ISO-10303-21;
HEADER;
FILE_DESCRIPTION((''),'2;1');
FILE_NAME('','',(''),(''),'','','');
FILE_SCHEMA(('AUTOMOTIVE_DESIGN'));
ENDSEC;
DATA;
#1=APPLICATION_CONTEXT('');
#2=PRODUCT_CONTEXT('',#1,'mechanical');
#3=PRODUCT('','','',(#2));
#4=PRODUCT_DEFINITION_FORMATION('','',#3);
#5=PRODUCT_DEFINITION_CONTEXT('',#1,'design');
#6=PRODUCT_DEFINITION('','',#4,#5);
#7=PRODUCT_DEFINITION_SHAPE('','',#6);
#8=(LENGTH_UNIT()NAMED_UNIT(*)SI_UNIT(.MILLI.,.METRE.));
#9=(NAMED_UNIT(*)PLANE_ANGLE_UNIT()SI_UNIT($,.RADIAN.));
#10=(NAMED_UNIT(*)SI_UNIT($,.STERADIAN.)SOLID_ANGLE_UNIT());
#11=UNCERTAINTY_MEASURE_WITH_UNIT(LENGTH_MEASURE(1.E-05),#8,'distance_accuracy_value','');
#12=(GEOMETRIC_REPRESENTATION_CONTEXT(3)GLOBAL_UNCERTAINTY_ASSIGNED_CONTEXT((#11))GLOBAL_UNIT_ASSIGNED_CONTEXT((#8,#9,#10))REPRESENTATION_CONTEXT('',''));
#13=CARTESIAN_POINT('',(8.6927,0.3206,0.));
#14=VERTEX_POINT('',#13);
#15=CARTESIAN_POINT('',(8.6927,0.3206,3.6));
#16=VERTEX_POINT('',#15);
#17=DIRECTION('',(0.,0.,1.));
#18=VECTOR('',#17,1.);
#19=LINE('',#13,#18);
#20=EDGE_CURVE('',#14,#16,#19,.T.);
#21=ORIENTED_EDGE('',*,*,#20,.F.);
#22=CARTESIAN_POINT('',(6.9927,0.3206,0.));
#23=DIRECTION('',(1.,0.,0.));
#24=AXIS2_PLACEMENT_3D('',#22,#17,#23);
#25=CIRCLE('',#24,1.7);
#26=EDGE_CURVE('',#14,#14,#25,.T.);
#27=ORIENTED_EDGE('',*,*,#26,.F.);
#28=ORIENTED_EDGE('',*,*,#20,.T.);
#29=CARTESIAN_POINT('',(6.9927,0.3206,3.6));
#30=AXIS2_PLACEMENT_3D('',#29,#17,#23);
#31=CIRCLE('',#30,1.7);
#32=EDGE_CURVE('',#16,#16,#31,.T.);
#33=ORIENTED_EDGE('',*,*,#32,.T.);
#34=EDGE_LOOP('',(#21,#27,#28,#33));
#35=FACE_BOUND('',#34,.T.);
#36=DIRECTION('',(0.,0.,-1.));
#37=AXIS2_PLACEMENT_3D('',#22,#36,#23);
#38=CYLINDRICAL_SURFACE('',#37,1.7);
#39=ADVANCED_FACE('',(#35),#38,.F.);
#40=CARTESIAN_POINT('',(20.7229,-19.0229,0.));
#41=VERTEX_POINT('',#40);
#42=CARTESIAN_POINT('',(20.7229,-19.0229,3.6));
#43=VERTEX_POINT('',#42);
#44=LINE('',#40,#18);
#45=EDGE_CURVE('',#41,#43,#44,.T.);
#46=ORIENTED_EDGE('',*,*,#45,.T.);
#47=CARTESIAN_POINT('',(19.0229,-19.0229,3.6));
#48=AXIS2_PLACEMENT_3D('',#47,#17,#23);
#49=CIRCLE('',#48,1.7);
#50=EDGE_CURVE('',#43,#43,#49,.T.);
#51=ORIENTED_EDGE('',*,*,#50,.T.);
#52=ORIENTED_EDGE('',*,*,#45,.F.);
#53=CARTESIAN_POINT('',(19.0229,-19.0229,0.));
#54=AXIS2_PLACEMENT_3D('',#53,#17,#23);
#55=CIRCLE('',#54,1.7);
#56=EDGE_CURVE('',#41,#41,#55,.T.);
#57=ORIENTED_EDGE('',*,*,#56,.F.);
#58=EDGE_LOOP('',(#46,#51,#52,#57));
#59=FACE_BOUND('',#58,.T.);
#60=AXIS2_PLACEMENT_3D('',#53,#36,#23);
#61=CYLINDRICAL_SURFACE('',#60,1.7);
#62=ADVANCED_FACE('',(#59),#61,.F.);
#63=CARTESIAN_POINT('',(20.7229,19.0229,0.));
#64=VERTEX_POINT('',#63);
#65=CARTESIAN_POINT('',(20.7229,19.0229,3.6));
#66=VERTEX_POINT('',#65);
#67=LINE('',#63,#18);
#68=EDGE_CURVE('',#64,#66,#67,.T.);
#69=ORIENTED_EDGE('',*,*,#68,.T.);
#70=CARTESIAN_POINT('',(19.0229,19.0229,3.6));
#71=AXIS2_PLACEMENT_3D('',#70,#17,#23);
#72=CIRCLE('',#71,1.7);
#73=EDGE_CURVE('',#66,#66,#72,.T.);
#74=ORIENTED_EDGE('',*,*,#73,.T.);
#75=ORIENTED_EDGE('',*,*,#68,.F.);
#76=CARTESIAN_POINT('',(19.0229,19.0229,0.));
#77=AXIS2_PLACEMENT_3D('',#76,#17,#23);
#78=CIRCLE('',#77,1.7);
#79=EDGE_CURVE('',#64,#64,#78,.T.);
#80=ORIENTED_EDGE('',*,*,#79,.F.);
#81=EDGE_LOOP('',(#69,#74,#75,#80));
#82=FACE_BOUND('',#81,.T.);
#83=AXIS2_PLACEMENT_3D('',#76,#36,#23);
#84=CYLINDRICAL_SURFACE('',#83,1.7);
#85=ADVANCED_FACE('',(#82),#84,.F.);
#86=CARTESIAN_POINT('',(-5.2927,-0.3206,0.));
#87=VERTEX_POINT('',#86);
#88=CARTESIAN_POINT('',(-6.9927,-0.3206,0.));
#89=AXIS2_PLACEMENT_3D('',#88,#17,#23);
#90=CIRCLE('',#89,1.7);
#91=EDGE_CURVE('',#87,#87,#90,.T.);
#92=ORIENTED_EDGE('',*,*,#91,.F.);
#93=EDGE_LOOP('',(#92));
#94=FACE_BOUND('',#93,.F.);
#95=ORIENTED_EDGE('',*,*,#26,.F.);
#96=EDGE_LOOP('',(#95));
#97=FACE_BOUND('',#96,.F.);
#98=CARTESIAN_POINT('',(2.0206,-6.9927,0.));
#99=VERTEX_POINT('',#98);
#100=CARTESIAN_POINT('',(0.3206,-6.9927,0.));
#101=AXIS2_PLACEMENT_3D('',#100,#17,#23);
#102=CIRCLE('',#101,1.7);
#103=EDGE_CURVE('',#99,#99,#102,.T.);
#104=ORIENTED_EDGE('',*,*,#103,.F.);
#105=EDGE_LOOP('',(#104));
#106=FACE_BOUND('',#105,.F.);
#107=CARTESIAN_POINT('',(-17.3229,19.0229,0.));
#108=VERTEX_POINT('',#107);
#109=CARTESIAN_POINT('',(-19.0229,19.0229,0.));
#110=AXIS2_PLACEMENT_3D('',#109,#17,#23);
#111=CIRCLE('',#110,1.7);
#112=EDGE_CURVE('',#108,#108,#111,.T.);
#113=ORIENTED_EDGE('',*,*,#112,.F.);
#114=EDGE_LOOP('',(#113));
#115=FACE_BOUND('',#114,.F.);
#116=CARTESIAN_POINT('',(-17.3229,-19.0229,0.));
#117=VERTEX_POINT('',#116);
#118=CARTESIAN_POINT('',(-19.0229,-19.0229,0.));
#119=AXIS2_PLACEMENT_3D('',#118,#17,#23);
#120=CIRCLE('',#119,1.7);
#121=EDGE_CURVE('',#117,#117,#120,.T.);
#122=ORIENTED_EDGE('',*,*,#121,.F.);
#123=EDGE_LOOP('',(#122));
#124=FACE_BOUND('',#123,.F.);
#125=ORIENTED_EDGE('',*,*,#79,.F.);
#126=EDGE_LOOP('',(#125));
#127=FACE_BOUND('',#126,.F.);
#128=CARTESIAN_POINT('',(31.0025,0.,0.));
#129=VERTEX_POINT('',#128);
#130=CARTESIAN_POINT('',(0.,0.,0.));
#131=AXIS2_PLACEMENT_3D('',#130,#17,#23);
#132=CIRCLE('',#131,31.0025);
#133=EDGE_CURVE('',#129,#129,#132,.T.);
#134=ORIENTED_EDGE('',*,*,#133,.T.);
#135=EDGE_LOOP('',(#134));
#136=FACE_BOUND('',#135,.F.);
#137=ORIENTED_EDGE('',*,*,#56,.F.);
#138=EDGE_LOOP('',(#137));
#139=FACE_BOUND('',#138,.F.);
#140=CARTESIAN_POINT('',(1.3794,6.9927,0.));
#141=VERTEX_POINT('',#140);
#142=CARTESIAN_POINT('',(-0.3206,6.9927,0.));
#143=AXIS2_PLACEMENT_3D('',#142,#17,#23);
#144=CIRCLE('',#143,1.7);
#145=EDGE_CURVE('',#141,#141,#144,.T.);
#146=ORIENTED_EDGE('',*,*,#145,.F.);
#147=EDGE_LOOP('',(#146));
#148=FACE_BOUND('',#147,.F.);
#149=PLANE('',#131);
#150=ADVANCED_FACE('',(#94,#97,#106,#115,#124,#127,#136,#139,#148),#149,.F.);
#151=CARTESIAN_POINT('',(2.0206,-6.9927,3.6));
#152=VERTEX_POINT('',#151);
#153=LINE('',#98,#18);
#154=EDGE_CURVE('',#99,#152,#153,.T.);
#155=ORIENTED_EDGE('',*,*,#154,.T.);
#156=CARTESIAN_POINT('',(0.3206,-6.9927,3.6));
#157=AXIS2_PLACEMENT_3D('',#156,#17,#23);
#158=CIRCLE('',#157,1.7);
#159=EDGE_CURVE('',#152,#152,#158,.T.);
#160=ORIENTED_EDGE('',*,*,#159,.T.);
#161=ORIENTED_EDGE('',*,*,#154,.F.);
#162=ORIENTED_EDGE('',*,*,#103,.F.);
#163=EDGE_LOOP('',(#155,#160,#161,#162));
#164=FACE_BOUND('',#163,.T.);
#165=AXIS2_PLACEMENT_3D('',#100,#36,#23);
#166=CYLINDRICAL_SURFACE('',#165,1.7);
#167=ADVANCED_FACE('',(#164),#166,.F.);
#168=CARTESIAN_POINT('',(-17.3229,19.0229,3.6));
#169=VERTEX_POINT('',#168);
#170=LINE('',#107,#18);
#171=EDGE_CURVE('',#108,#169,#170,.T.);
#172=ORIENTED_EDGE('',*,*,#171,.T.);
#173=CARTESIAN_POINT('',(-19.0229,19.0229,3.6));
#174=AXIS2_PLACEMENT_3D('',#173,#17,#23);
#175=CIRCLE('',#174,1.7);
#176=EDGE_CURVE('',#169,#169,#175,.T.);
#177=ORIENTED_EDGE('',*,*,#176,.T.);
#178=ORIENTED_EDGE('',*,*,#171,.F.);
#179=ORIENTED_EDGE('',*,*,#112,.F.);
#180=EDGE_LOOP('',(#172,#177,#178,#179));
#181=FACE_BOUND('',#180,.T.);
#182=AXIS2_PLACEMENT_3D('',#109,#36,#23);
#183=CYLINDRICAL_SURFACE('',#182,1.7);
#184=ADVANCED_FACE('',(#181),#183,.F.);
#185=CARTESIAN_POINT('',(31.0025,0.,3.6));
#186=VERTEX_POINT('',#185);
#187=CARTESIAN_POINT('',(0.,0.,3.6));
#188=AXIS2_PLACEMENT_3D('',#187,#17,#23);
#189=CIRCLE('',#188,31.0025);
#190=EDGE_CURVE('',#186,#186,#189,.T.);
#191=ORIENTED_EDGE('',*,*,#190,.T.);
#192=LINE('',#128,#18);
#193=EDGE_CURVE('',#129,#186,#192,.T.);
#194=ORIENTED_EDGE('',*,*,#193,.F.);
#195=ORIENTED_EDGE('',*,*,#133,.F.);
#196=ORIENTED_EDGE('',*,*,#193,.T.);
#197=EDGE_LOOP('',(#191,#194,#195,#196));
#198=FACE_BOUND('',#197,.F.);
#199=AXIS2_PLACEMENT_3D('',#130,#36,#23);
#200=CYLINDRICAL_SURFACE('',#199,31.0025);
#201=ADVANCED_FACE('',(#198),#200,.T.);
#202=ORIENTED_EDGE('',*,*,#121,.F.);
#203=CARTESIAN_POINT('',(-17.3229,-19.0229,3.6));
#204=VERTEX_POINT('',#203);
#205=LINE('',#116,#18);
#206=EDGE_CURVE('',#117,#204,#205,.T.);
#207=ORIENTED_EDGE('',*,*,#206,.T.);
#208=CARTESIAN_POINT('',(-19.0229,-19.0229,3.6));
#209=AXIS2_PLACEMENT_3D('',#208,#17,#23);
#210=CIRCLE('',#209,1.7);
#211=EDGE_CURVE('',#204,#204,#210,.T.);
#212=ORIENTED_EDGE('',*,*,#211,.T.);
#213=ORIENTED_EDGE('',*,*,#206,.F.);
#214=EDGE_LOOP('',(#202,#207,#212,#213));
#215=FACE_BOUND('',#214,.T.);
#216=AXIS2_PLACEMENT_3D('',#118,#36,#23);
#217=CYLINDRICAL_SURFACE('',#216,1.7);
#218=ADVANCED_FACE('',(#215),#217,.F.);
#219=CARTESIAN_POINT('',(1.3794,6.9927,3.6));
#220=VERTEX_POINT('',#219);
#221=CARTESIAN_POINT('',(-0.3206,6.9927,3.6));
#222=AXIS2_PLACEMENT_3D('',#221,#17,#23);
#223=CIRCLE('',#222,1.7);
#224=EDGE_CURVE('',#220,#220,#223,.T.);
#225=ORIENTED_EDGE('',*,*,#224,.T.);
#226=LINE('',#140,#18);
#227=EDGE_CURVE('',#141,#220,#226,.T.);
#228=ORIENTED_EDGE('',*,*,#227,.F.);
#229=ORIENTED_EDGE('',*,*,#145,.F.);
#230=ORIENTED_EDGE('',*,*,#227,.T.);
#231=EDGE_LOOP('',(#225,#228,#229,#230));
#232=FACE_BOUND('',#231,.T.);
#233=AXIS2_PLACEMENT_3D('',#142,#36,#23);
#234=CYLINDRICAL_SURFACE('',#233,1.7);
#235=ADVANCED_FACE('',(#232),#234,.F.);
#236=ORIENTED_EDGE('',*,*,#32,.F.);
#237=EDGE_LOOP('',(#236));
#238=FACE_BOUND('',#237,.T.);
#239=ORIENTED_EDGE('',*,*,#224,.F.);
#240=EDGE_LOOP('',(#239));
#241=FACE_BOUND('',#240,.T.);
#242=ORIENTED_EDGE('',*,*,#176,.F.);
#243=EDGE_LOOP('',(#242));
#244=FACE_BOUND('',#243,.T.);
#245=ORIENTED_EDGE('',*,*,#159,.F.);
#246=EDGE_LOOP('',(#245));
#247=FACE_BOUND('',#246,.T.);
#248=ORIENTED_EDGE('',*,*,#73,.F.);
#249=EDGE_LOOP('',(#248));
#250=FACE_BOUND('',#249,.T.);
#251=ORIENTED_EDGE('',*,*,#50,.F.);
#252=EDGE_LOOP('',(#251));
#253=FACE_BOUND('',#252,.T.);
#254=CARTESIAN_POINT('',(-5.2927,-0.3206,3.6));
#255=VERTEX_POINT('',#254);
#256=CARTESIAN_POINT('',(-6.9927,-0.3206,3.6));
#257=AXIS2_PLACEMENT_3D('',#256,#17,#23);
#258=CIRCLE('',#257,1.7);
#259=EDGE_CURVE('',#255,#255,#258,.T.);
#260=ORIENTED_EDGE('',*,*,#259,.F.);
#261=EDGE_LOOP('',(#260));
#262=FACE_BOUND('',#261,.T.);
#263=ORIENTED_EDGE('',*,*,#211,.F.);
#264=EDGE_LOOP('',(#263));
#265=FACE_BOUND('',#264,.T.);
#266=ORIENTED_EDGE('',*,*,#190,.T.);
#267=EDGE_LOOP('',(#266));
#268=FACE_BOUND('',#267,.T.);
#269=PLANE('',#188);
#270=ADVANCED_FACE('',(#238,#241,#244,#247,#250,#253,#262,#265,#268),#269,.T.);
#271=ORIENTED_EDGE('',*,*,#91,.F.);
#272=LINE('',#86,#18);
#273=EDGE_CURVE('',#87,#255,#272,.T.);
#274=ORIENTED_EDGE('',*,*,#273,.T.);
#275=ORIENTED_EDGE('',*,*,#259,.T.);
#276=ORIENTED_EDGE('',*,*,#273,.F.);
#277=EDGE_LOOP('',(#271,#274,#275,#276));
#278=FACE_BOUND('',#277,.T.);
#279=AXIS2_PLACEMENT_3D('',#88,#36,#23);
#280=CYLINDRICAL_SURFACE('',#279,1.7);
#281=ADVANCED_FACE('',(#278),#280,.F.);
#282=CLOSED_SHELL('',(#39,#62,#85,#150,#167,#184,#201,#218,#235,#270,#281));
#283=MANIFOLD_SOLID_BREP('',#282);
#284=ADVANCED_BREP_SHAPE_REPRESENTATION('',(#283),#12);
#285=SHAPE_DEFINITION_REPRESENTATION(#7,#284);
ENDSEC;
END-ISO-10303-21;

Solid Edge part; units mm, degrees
sketch "Sketch1" plane through (0, 0, 0) normal (0, 0, 1) x (1, 0, 0)
  circle A0 centre (0, 0) radius 31.0025
  circle A1 centre (19.0229, 19.0229) radius 1.7
  circle A2 centre (19.0229, -19.0229) radius 1.7
  circle A3 centre (-19.0229, -19.0229) radius 1.7
  circle A4 centre (-19.0229, 19.0229) radius 1.7
  circle A5 centre (-0.3206, 6.9927) radius 1.7
  circle A6 centre (6.9927, 0.3206) radius 1.7
  circle A7 centre (0.3206, -6.9927) radius 1.7
  circle A8 centre (-6.9927, -0.3206) radius 1.7
extrude "Protrusion1" add sketch "Sketch1" along normal blind 3.6
